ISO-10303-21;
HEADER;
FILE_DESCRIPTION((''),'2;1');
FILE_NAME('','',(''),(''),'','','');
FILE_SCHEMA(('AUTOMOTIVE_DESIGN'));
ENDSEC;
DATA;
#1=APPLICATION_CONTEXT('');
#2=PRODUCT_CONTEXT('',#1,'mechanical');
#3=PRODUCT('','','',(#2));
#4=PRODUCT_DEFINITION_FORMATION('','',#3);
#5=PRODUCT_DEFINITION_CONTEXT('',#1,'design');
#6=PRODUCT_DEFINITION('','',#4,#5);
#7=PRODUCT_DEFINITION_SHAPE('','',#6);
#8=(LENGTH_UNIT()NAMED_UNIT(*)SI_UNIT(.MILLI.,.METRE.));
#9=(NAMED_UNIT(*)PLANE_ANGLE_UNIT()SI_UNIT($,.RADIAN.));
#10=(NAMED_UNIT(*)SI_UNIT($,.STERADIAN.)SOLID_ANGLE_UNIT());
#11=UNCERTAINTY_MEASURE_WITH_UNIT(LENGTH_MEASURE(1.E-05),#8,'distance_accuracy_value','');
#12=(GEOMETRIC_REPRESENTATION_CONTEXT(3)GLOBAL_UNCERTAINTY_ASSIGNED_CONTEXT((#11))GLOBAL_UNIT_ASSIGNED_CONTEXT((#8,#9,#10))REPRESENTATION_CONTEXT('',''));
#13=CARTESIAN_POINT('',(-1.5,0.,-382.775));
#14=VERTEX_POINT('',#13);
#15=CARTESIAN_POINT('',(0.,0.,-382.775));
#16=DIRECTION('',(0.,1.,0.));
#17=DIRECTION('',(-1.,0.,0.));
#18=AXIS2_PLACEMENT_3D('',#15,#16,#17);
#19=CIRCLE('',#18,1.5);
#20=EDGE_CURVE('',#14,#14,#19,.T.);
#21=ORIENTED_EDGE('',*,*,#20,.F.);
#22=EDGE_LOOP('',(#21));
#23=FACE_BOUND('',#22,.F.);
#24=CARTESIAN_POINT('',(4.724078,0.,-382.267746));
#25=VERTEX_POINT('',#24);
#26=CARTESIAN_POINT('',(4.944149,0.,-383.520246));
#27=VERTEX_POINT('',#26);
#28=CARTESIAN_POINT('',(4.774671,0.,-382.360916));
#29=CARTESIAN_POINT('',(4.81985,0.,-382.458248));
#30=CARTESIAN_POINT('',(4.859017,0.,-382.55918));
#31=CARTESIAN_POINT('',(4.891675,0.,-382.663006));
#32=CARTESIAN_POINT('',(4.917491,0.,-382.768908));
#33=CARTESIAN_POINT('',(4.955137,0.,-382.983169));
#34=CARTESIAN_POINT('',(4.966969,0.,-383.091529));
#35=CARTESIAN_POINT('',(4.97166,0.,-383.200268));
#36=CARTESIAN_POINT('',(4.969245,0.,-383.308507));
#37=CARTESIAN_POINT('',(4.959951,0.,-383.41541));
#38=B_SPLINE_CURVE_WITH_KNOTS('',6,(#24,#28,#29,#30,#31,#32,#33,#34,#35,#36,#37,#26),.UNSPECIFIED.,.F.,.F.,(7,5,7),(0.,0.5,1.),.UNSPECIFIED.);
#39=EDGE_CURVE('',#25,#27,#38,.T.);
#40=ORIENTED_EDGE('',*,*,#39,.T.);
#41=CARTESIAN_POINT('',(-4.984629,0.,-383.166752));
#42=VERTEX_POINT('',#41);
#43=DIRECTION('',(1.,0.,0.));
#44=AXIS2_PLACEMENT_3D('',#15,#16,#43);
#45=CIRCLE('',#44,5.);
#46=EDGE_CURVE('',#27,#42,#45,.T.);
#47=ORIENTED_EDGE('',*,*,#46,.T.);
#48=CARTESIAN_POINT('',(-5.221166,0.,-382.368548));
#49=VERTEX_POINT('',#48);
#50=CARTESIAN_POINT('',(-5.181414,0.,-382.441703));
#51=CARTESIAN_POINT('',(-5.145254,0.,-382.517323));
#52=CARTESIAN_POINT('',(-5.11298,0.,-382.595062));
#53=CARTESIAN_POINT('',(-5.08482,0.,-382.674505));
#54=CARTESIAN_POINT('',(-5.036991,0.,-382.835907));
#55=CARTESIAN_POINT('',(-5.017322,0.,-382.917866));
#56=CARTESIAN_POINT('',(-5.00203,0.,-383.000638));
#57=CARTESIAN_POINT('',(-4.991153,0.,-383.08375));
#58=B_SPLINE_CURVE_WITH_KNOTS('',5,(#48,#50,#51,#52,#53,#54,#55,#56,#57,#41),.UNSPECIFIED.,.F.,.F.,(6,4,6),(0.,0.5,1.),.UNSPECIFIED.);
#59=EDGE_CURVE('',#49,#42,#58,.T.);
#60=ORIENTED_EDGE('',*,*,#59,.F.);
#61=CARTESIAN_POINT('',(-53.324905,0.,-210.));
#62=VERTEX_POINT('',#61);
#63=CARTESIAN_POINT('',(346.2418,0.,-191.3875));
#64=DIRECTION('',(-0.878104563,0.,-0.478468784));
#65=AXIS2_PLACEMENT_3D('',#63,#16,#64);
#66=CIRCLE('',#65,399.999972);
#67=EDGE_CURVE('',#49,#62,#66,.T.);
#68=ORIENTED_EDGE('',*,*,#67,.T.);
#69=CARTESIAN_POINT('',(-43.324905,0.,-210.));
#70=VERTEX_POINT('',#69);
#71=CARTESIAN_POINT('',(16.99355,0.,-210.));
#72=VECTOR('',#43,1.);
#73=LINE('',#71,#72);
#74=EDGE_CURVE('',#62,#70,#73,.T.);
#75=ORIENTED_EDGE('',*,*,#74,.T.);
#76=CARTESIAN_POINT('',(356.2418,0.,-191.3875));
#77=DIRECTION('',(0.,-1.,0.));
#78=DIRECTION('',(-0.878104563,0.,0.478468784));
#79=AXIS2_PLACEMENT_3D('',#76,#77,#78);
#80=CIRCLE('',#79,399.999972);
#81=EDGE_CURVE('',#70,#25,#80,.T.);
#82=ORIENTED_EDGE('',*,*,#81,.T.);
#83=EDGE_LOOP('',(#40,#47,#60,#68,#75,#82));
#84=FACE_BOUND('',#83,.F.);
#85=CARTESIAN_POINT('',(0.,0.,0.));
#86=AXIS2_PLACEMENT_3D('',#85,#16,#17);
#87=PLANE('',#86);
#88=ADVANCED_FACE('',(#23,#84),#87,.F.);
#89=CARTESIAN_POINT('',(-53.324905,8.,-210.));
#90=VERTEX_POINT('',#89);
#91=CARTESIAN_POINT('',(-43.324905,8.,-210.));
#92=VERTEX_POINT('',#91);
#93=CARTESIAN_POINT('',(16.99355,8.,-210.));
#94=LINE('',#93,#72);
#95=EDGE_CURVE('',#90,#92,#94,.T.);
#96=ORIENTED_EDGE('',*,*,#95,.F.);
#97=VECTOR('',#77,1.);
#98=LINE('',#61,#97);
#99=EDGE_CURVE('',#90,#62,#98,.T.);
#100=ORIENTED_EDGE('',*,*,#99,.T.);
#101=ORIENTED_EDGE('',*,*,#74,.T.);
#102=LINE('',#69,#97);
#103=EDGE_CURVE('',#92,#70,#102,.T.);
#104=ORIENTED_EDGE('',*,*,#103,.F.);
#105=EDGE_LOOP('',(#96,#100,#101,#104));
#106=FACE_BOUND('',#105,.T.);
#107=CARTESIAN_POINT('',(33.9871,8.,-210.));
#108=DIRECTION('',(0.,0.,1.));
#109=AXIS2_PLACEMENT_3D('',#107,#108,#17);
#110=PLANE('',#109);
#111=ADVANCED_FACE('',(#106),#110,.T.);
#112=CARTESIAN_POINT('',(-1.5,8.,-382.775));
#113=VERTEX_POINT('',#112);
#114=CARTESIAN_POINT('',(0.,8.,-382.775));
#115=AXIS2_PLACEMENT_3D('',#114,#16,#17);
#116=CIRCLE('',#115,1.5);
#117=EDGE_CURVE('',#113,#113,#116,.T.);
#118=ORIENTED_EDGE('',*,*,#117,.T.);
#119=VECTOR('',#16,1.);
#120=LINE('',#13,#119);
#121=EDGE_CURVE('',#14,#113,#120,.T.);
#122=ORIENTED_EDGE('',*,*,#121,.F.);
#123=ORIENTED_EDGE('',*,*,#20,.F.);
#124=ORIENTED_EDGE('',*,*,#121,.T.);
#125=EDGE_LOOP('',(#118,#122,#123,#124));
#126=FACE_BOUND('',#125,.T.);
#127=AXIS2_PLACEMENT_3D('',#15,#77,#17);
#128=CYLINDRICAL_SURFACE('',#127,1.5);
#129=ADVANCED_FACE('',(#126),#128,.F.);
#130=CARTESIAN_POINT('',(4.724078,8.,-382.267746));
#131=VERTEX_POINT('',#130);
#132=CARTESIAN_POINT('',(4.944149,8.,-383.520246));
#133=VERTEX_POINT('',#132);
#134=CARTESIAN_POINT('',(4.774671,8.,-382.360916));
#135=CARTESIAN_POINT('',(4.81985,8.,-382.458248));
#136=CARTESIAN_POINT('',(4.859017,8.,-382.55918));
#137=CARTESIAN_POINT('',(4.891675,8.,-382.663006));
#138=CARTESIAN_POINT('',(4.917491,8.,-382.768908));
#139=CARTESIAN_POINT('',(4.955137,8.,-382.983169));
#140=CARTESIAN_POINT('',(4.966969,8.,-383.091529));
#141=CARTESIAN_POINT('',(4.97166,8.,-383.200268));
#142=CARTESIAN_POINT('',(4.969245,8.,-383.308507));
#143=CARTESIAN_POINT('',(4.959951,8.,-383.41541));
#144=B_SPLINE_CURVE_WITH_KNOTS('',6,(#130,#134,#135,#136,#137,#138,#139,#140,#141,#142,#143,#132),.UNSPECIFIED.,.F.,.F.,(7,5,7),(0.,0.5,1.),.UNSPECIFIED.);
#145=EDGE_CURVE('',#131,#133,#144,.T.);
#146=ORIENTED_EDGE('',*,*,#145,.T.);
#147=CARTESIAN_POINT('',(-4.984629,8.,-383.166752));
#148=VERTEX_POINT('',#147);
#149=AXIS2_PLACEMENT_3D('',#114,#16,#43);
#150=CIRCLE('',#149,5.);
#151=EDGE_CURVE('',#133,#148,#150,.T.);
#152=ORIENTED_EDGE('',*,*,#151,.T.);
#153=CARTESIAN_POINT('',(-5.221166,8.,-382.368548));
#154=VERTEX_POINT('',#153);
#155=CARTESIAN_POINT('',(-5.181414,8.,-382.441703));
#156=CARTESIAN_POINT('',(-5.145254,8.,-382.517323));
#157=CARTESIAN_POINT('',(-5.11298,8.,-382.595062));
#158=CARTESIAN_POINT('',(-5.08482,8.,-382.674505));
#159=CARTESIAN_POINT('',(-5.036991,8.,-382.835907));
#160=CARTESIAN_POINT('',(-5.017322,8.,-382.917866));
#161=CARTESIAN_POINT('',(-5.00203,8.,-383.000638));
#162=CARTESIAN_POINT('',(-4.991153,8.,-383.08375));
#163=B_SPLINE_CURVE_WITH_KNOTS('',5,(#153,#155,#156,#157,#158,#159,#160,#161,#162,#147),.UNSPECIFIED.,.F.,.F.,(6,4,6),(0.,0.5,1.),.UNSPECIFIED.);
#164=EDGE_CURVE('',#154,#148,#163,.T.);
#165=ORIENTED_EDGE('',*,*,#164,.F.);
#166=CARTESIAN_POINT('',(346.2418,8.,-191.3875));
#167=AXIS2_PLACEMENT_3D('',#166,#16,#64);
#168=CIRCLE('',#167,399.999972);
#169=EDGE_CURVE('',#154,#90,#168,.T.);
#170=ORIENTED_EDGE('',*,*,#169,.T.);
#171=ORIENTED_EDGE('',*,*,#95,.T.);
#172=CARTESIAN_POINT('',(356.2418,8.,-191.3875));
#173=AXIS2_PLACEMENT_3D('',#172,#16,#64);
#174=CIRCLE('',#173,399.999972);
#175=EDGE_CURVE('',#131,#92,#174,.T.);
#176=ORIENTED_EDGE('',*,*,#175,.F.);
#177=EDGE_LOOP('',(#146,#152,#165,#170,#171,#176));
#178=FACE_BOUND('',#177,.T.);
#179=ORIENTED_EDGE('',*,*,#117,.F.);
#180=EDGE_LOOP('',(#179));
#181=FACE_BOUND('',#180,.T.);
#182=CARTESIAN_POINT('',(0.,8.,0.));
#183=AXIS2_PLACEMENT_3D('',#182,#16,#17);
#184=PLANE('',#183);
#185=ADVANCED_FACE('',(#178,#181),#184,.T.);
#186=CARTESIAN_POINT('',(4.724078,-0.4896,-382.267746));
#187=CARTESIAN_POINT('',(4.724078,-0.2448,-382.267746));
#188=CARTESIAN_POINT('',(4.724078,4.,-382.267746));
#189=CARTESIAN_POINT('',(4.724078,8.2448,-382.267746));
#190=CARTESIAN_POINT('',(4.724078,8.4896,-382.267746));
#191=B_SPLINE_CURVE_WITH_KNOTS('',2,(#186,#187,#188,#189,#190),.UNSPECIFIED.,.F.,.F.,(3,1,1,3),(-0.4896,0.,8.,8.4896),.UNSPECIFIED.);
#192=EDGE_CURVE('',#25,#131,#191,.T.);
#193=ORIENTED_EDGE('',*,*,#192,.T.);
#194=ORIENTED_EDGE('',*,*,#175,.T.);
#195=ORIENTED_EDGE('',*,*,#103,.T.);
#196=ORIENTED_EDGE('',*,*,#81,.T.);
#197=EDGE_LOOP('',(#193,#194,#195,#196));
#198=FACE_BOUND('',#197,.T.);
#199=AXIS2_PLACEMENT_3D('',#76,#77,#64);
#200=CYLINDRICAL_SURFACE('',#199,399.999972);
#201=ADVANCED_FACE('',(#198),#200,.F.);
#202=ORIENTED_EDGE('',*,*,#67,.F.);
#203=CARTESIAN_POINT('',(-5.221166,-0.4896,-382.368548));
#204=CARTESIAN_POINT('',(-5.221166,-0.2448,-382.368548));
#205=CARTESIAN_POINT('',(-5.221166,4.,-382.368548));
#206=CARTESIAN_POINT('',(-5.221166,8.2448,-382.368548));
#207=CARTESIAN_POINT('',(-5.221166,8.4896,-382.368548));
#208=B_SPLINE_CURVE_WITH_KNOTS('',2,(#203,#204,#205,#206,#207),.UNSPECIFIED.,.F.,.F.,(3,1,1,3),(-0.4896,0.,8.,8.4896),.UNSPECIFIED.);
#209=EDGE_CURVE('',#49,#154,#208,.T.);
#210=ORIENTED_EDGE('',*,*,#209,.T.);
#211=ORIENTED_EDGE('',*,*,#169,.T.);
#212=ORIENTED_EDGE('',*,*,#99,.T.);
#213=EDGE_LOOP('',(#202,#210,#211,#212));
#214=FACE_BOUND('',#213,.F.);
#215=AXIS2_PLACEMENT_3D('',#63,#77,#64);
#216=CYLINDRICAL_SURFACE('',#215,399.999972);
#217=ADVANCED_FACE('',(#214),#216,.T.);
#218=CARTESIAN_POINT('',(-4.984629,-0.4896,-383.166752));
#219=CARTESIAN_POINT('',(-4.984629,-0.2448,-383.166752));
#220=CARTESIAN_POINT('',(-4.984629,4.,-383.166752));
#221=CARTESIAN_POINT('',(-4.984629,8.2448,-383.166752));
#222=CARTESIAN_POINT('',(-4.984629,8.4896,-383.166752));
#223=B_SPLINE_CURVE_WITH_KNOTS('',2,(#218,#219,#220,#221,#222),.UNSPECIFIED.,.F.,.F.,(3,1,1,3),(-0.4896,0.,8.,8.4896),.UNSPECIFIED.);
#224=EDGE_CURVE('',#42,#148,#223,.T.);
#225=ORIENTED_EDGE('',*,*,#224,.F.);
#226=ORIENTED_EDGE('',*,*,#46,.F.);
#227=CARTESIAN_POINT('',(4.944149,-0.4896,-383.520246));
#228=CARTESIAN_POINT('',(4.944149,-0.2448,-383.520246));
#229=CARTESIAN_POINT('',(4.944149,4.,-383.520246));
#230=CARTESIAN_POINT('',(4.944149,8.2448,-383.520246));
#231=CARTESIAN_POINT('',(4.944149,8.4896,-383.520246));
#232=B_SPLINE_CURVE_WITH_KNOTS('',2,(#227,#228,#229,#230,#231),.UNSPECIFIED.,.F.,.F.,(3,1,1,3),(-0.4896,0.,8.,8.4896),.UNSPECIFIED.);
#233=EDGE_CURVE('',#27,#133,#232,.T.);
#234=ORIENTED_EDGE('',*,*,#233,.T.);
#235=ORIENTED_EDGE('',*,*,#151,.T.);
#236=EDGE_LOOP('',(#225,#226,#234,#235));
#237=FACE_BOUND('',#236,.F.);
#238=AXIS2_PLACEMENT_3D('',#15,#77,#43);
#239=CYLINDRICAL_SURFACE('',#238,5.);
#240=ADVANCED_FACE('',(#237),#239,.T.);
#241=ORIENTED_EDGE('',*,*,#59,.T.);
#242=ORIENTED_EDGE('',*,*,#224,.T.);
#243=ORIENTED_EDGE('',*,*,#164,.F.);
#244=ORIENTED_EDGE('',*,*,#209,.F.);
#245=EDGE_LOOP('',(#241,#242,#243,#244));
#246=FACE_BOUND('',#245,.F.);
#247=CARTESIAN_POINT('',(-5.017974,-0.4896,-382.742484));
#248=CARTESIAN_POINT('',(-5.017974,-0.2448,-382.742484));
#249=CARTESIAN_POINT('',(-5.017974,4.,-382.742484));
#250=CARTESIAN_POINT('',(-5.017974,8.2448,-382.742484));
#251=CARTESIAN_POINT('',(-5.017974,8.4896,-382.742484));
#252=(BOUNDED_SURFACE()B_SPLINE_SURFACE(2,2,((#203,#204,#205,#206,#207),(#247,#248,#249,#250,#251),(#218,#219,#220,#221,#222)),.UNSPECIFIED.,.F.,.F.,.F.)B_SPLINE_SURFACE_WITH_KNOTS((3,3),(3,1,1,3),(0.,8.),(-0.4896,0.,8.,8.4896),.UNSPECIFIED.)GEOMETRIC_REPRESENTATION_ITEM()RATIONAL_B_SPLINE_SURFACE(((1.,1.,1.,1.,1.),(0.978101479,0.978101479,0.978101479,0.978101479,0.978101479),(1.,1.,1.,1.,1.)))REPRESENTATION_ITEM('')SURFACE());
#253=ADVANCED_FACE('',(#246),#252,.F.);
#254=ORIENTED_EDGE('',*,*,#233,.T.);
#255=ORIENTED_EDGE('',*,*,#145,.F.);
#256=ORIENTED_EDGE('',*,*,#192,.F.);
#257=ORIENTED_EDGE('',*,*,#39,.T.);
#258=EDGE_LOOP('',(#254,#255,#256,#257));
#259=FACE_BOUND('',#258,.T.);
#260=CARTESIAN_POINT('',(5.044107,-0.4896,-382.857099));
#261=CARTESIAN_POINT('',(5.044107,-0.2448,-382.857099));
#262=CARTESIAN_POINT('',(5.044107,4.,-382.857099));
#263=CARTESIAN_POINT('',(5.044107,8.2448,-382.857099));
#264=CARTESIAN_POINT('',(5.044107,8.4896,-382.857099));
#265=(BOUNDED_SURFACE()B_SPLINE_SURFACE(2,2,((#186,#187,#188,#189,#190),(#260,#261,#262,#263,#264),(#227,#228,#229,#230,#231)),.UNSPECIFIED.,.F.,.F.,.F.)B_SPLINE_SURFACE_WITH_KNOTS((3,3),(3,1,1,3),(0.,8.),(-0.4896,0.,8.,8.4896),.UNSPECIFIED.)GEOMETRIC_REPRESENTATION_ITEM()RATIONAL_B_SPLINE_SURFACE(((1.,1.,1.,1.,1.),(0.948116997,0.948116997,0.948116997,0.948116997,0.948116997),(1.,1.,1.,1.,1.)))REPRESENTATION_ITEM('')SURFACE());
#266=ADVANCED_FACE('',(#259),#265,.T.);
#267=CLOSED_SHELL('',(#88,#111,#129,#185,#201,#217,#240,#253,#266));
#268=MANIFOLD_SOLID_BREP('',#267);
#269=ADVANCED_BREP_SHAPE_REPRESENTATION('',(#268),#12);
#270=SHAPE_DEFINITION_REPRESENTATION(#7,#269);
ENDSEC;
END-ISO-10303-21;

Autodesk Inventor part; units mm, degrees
ref_plane "YZ Plane" through (0, 0, 0) normal (1, 0, 0) x (0, 1, 0)
ref_plane "XZ Plane" through (0, 0, 0) normal (0, 1, 0) x (-1, 0, 0)
ref_plane "XY Plane" through (0, 0, 0) normal (0, 0, 1) x (1, 0, 0)
sketch "Sketch1" plane through (0, 0, 0) normal (0, 1, 0) x (-1, 0, 0)
  line L0 (0, 0) -> (0, -382.775) construction
  line L1 (-5, 0) -> (-5, -382.775)
  line L2 (5, -382.775) -> (5, 0)
  arc A0 (5, 0) -> (-5, 0) centre (0, 0) ccw
  arc A1 (-5, -382.775) -> (5, -382.775) centre (0, -382.775) ccw
  circle A2 centre (0, 0) radius 1.5
  circle A3 centre (0, -382.775) radius 1.5
  arc A4 (5, -382.775) -> (5, 0) centre (-346.2418, -191.3875) ccw
  arc A5 (-5, -382.775) -> (-5, 0) centre (-356.2418, -191.3875) ccw
  point P0 (0, -191.3875)
  dimension "d0" = 382.775
  dimension "d1" = 10
  dimension "d2" = 3
  dimension "d3" = 3
  dimension "d12" = 400
  dimension "d13" = 400
extrude "Extrusion1" add sketch "Sketch1" along normal blind 8 contours A0 L2 A5 | A5 L2 A1 | A4 L2 A5
fillet "Fillet1" radius 2 4 edges at (5, 4, -382.775) (-5, 4, -382.775) (-5, 4, 0) (5, 4, 0)
sketch "Sketch2" plane through (0, 0, 0) normal (0, -1, 0) x (1, 0, 0)
  arc A0 (-4.9846, -383.1668) -> (4.9441, -383.5202) centre (0, -382.775) ccw projected
  arc A1 (4.9441, 0.7452) -> (-4.9846, 0.3918) centre (0, 0) ccw projected
  circle A2 centre (0, -382.775) radius 1.5 projected
  circle A3 centre (0, 0) radius 1.5 projected
  arc A4 (-5.2212, -0.4065) -> (-5.2212, -382.3685) centre (346.2418, -191.3875) ccw projected
  arc A5 (4.7241, -0.5073) -> (4.7241, -382.2677) centre (356.2418, -191.3875) ccw projected
  arc A6 (4.7241, -0.5073) -> (4.9441, 0.7452) centre (2.9665, 0.4471) ccw projected
  arc A7 (-5.2212, -0.4065) -> (-4.9846, 0.3918) centre (-6.9785, 0.5485) ccw projected
  arc A8 (-4.9846, -383.1668) -> (-5.2212, -382.3685) centre (-6.9785, -383.3235) ccw projected
  arc A9 (4.9441, -383.5202) -> (4.7241, -382.2677) centre (2.9665, -383.2221) ccw projected
sketch "Sketch3" plane through (0, 8, 0) normal (0, 1, 0) x (1, 0, 0)
  line L0 (-111.727, 425.5197) -> (93.4733, 425.5197)
  line L1 (93.4733, 425.5197) -> (93.4733, -68.38)
  line L2 (93.4733, -68.38) -> (-111.727, -68.38)
  line L3 (-111.727, -68.38) -> (-111.727, 425.5197)
  line L4 (-64.7929, 400.3549) -> (33.9871, 400.3549)
  line L5 (33.9871, 400.3549) -> (33.9871, 210)
  line L6 (33.9871, 210) -> (-64.7929, 210)
  line L7 (-64.7929, 210) -> (-64.7929, 400.3549)
  line L8 (-64.7929, 210) -> (33.9871, 210)
  line L9 (33.9871, 210) -> (33.9871, 30)
  line L10 (33.9871, 30) -> (-64.7929, 30)
  line L11 (-64.7929, 30) -> (-64.7929, 210)
  point P0 (0, 0)
  dimension "d15" = 30
  dimension "d16" = 180
  dimension "d17" = 190.3549
extrude "Extrusion2" cut sketch "Sketch3" along normal mid plane 20 contours L0 L1 L2 L3 | L6 L9 L10 L11
sketch "Sketch4" plane through (0, 8, 0) normal (0, 1, 0) x (1, 0, 0)
  circle A0 centre (0, 382.775) radius 1.5 projected
  line L0 (-53.3249, 210) -> (-43.3249, 210) projected
  arc A1 (4.7241, 382.2677) -> (-43.3249, 210) centre (356.2418, 191.3875) ccw projected
  arc A2 (4.7241, 382.2677) -> (4.9441, 383.5202) centre (2.9665, 383.2221) ccw projected
  arc A3 (4.9441, 383.5202) -> (-4.9846, 383.1668) centre (0, 382.775) ccw projected
  arc A4 (-5.2212, 382.3685) -> (-4.9846, 383.1668) centre (-6.9785, 383.3235) ccw projected
  arc A5 (-5.2212, 382.3685) -> (-53.3249, 210) centre (346.2418, 191.3875) ccw projected
  point P0 (0, 0)
properties part number "Part_13_p1"
